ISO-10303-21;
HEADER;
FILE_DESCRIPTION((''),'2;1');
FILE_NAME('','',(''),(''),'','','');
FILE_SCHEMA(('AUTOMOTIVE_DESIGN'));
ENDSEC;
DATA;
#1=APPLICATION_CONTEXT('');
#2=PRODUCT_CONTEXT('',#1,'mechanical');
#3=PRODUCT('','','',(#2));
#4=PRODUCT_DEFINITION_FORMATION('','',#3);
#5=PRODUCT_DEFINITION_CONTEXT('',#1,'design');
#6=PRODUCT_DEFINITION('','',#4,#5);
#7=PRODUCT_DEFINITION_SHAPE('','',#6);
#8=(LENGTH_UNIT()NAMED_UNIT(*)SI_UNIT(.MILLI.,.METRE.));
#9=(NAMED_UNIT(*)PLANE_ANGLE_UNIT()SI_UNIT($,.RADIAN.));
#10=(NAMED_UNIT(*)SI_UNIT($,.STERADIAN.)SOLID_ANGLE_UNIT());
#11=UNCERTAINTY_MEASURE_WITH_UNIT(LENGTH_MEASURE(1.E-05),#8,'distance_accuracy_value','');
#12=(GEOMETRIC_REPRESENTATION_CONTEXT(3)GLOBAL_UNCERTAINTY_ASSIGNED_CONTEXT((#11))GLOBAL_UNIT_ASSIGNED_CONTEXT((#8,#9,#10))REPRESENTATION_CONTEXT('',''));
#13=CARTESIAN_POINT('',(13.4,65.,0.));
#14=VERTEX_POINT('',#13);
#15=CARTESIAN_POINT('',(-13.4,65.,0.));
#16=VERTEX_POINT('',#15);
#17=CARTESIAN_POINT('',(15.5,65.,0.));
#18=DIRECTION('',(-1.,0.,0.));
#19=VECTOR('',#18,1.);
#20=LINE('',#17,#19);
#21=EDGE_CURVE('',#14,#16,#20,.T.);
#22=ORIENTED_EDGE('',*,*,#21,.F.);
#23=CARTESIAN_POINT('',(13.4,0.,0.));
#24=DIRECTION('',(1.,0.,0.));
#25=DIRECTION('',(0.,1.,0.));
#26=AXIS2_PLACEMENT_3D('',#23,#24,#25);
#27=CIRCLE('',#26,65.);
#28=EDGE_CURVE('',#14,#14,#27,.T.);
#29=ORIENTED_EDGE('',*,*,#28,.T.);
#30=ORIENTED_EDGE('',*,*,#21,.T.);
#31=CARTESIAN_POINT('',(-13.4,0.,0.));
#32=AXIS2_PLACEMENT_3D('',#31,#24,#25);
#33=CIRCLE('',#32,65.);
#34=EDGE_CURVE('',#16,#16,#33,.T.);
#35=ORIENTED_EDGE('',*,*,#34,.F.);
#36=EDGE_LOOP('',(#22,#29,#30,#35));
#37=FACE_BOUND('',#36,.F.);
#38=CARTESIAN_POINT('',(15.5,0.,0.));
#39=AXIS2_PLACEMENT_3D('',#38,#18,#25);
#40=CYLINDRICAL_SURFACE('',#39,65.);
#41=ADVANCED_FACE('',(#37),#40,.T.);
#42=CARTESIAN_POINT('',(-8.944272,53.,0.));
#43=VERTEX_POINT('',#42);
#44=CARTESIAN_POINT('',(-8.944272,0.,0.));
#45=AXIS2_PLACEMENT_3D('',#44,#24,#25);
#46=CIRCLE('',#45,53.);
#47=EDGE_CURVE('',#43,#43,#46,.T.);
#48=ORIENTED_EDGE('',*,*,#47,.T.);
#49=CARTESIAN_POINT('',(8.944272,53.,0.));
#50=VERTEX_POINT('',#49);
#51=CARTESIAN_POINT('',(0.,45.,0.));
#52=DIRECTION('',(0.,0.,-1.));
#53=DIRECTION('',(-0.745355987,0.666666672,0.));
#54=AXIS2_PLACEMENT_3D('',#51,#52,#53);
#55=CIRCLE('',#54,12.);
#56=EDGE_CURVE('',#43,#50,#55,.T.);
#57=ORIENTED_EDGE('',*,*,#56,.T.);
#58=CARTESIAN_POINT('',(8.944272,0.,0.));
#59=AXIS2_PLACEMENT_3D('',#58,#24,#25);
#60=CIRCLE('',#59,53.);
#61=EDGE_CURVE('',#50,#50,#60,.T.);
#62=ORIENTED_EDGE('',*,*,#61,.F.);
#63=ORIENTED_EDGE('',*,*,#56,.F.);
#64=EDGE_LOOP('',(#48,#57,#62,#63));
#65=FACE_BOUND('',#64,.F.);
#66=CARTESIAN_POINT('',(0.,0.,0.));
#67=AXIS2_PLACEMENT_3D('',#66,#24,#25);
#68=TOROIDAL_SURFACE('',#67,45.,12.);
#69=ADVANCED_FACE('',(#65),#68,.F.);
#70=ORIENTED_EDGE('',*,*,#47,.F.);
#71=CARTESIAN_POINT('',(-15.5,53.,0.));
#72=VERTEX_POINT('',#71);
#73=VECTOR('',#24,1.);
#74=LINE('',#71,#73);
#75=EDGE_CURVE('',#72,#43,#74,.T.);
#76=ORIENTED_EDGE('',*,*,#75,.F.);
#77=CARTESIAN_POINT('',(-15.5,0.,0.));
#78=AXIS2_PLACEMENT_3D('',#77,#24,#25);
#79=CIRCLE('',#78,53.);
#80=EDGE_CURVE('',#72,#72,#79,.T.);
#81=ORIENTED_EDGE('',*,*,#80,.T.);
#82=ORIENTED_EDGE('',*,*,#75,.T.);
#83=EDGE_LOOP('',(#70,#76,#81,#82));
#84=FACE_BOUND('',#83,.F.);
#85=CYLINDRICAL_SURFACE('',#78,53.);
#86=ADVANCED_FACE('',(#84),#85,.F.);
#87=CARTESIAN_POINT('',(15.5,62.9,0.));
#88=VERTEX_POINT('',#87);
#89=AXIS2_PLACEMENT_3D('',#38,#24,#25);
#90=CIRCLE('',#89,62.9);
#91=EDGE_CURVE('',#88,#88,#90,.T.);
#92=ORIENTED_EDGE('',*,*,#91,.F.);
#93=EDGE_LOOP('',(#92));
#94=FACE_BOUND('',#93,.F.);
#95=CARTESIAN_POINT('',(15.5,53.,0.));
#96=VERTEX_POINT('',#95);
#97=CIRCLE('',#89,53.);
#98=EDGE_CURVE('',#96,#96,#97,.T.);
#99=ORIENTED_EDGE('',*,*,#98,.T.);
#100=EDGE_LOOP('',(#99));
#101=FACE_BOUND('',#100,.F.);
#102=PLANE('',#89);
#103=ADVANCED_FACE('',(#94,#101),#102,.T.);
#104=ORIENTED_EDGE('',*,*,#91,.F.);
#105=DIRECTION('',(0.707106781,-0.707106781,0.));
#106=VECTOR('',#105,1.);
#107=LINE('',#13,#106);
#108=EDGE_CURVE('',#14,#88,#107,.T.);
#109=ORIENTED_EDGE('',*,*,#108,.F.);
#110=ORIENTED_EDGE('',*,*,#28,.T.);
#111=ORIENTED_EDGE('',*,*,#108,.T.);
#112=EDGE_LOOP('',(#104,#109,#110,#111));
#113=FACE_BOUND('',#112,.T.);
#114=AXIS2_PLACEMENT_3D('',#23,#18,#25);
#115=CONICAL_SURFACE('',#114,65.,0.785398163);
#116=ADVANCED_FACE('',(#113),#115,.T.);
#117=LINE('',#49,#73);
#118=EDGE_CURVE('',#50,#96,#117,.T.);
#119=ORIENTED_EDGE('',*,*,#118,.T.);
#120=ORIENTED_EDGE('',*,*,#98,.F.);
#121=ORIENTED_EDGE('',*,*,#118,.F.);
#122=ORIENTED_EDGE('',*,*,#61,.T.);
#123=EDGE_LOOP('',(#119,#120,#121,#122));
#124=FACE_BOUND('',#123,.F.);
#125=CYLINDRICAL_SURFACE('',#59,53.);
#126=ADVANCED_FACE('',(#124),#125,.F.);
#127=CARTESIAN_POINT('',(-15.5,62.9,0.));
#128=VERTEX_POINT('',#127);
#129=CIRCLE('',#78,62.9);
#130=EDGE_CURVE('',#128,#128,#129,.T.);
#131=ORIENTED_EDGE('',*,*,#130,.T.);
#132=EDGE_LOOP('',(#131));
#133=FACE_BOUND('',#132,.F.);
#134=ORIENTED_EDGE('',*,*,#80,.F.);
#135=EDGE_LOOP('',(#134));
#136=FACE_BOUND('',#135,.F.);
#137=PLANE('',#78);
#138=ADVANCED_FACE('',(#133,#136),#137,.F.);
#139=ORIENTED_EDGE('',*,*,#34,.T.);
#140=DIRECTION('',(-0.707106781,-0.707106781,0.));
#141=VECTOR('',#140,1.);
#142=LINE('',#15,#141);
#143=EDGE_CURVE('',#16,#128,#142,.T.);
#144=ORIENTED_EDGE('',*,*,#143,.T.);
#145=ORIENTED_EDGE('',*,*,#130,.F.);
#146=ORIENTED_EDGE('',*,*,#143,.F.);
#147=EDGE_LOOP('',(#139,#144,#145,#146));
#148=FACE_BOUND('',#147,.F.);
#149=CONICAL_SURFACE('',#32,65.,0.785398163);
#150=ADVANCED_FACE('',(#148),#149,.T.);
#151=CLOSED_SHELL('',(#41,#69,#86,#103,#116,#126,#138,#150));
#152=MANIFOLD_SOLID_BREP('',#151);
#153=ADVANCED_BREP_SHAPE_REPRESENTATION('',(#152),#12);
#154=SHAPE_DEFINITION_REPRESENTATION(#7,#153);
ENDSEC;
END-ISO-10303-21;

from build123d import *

# Parameters (mm, degrees)
F2_SIZE = 2.1


with BuildPart() as f1:
    # F0 (on Top) → F1 (revolve)
    with BuildSketch(Plane.XY):
        with BuildLine():
            Line((15.5, 65), (-15.5, 65))
            Line((-15.5, 65), (-15.5, 53))
            Line((-15.5, 53), (-8.944272, 53))
            ThreePointArc((-8.944272, 53), (0, 57), (8.944272, 53))
            Line((8.944272, 53), (15.5, 53))
            Line((15.5, 53), (15.5, 65))
        make_face()
    revolve(axis=Axis((0.512037, 0, 0), (1, 0, 0)))

    # F2
    f2_edges = [f1.edges().sort_by_distance(p)[0] for p in [
        (15.5, -65, 0),
        (-15.5, -65, 0),
        (0, 65, 0),
    ]]
    chamfer(f2_edges, length=F2_SIZE)


solid = f1.part
